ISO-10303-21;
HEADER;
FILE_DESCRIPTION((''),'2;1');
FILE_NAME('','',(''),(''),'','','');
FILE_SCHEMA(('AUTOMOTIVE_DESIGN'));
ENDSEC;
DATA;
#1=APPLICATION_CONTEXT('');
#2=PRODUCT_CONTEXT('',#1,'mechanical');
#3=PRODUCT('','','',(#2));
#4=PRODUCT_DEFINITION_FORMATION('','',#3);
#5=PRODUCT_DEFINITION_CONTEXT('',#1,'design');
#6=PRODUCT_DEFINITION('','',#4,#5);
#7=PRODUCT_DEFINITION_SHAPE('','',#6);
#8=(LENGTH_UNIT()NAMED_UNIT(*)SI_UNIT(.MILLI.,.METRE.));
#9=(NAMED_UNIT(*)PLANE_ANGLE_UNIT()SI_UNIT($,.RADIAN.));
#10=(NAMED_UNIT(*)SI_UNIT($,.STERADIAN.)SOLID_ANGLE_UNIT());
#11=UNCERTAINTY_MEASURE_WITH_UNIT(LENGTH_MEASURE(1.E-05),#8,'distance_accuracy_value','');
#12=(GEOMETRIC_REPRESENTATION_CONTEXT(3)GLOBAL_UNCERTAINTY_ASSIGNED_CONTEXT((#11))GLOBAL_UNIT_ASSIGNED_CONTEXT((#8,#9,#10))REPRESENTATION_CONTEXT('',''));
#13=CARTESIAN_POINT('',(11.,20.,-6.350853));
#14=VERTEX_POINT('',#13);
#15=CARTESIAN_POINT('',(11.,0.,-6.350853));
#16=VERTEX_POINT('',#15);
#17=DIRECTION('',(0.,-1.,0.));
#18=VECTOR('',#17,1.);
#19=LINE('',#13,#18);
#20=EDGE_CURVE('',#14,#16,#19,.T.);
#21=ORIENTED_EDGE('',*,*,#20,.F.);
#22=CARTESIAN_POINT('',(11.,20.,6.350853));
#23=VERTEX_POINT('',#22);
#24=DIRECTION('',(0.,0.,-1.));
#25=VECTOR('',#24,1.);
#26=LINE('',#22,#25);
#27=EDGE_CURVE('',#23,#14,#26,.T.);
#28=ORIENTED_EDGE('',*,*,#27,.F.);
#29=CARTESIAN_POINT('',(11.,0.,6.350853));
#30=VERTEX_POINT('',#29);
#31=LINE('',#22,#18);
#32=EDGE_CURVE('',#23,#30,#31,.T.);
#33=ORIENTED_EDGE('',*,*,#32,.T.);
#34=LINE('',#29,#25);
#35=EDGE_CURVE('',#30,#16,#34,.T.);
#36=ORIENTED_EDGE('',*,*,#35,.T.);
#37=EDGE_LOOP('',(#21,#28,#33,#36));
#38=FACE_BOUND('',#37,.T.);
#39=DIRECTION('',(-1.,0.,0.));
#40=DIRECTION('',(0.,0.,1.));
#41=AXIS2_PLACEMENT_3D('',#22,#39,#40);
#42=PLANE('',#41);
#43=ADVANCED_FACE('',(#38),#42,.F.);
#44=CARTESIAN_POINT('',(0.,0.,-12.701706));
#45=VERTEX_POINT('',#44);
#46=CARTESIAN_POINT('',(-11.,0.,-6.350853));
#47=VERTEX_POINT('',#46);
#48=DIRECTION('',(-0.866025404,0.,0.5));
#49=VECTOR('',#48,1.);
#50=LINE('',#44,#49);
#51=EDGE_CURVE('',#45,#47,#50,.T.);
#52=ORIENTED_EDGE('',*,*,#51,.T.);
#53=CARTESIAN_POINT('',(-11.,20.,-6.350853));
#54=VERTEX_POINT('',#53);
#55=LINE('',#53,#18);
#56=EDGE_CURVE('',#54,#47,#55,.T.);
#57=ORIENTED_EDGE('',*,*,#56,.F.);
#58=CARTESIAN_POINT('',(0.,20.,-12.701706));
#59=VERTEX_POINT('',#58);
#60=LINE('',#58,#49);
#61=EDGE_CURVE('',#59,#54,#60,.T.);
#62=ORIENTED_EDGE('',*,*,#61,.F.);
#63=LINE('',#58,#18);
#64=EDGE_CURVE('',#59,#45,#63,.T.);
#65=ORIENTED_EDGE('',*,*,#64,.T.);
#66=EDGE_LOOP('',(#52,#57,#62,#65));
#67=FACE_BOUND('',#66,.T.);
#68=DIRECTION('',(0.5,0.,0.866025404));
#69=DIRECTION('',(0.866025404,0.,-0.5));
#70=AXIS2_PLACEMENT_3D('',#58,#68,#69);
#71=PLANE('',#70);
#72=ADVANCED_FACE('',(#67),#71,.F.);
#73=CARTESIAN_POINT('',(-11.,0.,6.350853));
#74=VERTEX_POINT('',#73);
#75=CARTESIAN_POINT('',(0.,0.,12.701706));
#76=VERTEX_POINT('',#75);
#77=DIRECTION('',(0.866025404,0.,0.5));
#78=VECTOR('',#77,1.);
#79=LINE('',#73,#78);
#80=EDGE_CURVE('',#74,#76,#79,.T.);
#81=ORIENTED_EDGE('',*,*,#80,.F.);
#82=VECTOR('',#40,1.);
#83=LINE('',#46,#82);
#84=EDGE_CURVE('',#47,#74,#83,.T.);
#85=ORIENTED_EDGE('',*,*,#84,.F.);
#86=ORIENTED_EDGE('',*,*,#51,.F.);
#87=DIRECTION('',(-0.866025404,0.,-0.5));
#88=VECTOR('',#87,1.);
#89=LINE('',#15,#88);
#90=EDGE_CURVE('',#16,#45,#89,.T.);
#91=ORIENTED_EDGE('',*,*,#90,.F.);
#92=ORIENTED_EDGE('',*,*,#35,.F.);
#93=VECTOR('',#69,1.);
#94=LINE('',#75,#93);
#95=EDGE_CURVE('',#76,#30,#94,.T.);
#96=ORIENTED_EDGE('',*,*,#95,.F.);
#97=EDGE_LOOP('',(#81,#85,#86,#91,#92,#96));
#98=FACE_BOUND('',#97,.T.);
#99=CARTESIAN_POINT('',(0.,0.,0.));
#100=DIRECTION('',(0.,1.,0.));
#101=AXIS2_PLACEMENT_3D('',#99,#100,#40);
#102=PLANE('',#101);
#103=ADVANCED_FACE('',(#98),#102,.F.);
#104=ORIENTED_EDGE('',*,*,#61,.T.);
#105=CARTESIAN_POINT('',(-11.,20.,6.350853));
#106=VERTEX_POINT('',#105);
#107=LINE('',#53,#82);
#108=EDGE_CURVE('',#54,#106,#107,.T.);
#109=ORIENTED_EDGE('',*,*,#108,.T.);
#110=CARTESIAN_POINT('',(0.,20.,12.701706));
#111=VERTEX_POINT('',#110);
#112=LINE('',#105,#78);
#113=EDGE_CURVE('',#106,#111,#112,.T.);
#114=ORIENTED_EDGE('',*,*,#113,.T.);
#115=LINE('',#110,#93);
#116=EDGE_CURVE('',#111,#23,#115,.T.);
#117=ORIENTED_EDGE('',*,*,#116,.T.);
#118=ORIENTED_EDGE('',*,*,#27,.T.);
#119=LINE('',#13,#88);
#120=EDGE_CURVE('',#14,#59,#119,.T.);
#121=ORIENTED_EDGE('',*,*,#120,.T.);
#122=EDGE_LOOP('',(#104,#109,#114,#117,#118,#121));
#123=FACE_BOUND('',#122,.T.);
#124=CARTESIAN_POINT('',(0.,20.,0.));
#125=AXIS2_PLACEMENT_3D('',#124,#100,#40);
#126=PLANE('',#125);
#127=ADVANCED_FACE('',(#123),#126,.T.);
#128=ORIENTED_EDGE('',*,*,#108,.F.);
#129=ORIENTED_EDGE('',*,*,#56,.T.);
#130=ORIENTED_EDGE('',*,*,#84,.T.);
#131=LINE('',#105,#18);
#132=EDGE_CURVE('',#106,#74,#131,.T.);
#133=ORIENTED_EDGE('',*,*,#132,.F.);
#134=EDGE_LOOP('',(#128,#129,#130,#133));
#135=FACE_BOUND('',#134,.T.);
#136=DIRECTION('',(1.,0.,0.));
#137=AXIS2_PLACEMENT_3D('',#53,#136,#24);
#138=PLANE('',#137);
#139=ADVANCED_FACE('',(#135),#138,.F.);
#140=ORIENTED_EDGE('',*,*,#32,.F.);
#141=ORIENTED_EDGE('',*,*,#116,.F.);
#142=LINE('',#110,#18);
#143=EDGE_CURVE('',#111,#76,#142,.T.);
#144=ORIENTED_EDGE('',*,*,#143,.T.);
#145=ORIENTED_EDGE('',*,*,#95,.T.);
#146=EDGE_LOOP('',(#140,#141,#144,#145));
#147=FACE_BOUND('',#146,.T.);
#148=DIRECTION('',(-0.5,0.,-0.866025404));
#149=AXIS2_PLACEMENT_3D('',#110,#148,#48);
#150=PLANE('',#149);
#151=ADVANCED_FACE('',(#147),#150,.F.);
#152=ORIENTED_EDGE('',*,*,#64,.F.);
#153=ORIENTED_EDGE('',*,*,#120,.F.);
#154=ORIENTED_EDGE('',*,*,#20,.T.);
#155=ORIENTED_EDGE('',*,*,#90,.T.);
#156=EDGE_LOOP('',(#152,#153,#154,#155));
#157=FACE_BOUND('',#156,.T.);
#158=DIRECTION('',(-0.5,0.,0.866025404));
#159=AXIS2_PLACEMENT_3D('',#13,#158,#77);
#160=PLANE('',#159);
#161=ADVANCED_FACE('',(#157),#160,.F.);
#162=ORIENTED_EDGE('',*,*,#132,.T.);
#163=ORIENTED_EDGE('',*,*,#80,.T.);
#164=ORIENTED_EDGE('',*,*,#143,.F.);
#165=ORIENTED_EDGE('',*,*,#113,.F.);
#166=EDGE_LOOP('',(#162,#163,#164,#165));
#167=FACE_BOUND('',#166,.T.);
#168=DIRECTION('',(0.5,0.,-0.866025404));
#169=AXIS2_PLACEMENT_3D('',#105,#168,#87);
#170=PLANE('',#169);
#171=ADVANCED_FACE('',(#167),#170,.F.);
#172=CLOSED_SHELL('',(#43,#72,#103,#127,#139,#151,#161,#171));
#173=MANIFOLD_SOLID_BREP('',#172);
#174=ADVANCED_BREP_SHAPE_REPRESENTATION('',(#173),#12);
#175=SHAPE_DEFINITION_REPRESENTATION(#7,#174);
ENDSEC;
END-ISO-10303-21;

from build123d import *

# Parameters (mm, degrees)
BOSS_EXTRUDE1_DEPTH = 20


with BuildPart() as part:
    # Sketch1 → Boss-Extrude1 (new body)
    with BuildSketch(Plane(origin=(0, 0, 0), x_dir=(1, 0, 0), z_dir=(0, 1, 0))):
        Polygon((0, 12.701705922), (-11, 6.350852961), (-11, -6.350852961), (0, -12.701705922), (11, -6.350852961), (11, 6.350852961), align=None)
    extrude(amount=BOSS_EXTRUDE1_DEPTH)


solid = part.part
